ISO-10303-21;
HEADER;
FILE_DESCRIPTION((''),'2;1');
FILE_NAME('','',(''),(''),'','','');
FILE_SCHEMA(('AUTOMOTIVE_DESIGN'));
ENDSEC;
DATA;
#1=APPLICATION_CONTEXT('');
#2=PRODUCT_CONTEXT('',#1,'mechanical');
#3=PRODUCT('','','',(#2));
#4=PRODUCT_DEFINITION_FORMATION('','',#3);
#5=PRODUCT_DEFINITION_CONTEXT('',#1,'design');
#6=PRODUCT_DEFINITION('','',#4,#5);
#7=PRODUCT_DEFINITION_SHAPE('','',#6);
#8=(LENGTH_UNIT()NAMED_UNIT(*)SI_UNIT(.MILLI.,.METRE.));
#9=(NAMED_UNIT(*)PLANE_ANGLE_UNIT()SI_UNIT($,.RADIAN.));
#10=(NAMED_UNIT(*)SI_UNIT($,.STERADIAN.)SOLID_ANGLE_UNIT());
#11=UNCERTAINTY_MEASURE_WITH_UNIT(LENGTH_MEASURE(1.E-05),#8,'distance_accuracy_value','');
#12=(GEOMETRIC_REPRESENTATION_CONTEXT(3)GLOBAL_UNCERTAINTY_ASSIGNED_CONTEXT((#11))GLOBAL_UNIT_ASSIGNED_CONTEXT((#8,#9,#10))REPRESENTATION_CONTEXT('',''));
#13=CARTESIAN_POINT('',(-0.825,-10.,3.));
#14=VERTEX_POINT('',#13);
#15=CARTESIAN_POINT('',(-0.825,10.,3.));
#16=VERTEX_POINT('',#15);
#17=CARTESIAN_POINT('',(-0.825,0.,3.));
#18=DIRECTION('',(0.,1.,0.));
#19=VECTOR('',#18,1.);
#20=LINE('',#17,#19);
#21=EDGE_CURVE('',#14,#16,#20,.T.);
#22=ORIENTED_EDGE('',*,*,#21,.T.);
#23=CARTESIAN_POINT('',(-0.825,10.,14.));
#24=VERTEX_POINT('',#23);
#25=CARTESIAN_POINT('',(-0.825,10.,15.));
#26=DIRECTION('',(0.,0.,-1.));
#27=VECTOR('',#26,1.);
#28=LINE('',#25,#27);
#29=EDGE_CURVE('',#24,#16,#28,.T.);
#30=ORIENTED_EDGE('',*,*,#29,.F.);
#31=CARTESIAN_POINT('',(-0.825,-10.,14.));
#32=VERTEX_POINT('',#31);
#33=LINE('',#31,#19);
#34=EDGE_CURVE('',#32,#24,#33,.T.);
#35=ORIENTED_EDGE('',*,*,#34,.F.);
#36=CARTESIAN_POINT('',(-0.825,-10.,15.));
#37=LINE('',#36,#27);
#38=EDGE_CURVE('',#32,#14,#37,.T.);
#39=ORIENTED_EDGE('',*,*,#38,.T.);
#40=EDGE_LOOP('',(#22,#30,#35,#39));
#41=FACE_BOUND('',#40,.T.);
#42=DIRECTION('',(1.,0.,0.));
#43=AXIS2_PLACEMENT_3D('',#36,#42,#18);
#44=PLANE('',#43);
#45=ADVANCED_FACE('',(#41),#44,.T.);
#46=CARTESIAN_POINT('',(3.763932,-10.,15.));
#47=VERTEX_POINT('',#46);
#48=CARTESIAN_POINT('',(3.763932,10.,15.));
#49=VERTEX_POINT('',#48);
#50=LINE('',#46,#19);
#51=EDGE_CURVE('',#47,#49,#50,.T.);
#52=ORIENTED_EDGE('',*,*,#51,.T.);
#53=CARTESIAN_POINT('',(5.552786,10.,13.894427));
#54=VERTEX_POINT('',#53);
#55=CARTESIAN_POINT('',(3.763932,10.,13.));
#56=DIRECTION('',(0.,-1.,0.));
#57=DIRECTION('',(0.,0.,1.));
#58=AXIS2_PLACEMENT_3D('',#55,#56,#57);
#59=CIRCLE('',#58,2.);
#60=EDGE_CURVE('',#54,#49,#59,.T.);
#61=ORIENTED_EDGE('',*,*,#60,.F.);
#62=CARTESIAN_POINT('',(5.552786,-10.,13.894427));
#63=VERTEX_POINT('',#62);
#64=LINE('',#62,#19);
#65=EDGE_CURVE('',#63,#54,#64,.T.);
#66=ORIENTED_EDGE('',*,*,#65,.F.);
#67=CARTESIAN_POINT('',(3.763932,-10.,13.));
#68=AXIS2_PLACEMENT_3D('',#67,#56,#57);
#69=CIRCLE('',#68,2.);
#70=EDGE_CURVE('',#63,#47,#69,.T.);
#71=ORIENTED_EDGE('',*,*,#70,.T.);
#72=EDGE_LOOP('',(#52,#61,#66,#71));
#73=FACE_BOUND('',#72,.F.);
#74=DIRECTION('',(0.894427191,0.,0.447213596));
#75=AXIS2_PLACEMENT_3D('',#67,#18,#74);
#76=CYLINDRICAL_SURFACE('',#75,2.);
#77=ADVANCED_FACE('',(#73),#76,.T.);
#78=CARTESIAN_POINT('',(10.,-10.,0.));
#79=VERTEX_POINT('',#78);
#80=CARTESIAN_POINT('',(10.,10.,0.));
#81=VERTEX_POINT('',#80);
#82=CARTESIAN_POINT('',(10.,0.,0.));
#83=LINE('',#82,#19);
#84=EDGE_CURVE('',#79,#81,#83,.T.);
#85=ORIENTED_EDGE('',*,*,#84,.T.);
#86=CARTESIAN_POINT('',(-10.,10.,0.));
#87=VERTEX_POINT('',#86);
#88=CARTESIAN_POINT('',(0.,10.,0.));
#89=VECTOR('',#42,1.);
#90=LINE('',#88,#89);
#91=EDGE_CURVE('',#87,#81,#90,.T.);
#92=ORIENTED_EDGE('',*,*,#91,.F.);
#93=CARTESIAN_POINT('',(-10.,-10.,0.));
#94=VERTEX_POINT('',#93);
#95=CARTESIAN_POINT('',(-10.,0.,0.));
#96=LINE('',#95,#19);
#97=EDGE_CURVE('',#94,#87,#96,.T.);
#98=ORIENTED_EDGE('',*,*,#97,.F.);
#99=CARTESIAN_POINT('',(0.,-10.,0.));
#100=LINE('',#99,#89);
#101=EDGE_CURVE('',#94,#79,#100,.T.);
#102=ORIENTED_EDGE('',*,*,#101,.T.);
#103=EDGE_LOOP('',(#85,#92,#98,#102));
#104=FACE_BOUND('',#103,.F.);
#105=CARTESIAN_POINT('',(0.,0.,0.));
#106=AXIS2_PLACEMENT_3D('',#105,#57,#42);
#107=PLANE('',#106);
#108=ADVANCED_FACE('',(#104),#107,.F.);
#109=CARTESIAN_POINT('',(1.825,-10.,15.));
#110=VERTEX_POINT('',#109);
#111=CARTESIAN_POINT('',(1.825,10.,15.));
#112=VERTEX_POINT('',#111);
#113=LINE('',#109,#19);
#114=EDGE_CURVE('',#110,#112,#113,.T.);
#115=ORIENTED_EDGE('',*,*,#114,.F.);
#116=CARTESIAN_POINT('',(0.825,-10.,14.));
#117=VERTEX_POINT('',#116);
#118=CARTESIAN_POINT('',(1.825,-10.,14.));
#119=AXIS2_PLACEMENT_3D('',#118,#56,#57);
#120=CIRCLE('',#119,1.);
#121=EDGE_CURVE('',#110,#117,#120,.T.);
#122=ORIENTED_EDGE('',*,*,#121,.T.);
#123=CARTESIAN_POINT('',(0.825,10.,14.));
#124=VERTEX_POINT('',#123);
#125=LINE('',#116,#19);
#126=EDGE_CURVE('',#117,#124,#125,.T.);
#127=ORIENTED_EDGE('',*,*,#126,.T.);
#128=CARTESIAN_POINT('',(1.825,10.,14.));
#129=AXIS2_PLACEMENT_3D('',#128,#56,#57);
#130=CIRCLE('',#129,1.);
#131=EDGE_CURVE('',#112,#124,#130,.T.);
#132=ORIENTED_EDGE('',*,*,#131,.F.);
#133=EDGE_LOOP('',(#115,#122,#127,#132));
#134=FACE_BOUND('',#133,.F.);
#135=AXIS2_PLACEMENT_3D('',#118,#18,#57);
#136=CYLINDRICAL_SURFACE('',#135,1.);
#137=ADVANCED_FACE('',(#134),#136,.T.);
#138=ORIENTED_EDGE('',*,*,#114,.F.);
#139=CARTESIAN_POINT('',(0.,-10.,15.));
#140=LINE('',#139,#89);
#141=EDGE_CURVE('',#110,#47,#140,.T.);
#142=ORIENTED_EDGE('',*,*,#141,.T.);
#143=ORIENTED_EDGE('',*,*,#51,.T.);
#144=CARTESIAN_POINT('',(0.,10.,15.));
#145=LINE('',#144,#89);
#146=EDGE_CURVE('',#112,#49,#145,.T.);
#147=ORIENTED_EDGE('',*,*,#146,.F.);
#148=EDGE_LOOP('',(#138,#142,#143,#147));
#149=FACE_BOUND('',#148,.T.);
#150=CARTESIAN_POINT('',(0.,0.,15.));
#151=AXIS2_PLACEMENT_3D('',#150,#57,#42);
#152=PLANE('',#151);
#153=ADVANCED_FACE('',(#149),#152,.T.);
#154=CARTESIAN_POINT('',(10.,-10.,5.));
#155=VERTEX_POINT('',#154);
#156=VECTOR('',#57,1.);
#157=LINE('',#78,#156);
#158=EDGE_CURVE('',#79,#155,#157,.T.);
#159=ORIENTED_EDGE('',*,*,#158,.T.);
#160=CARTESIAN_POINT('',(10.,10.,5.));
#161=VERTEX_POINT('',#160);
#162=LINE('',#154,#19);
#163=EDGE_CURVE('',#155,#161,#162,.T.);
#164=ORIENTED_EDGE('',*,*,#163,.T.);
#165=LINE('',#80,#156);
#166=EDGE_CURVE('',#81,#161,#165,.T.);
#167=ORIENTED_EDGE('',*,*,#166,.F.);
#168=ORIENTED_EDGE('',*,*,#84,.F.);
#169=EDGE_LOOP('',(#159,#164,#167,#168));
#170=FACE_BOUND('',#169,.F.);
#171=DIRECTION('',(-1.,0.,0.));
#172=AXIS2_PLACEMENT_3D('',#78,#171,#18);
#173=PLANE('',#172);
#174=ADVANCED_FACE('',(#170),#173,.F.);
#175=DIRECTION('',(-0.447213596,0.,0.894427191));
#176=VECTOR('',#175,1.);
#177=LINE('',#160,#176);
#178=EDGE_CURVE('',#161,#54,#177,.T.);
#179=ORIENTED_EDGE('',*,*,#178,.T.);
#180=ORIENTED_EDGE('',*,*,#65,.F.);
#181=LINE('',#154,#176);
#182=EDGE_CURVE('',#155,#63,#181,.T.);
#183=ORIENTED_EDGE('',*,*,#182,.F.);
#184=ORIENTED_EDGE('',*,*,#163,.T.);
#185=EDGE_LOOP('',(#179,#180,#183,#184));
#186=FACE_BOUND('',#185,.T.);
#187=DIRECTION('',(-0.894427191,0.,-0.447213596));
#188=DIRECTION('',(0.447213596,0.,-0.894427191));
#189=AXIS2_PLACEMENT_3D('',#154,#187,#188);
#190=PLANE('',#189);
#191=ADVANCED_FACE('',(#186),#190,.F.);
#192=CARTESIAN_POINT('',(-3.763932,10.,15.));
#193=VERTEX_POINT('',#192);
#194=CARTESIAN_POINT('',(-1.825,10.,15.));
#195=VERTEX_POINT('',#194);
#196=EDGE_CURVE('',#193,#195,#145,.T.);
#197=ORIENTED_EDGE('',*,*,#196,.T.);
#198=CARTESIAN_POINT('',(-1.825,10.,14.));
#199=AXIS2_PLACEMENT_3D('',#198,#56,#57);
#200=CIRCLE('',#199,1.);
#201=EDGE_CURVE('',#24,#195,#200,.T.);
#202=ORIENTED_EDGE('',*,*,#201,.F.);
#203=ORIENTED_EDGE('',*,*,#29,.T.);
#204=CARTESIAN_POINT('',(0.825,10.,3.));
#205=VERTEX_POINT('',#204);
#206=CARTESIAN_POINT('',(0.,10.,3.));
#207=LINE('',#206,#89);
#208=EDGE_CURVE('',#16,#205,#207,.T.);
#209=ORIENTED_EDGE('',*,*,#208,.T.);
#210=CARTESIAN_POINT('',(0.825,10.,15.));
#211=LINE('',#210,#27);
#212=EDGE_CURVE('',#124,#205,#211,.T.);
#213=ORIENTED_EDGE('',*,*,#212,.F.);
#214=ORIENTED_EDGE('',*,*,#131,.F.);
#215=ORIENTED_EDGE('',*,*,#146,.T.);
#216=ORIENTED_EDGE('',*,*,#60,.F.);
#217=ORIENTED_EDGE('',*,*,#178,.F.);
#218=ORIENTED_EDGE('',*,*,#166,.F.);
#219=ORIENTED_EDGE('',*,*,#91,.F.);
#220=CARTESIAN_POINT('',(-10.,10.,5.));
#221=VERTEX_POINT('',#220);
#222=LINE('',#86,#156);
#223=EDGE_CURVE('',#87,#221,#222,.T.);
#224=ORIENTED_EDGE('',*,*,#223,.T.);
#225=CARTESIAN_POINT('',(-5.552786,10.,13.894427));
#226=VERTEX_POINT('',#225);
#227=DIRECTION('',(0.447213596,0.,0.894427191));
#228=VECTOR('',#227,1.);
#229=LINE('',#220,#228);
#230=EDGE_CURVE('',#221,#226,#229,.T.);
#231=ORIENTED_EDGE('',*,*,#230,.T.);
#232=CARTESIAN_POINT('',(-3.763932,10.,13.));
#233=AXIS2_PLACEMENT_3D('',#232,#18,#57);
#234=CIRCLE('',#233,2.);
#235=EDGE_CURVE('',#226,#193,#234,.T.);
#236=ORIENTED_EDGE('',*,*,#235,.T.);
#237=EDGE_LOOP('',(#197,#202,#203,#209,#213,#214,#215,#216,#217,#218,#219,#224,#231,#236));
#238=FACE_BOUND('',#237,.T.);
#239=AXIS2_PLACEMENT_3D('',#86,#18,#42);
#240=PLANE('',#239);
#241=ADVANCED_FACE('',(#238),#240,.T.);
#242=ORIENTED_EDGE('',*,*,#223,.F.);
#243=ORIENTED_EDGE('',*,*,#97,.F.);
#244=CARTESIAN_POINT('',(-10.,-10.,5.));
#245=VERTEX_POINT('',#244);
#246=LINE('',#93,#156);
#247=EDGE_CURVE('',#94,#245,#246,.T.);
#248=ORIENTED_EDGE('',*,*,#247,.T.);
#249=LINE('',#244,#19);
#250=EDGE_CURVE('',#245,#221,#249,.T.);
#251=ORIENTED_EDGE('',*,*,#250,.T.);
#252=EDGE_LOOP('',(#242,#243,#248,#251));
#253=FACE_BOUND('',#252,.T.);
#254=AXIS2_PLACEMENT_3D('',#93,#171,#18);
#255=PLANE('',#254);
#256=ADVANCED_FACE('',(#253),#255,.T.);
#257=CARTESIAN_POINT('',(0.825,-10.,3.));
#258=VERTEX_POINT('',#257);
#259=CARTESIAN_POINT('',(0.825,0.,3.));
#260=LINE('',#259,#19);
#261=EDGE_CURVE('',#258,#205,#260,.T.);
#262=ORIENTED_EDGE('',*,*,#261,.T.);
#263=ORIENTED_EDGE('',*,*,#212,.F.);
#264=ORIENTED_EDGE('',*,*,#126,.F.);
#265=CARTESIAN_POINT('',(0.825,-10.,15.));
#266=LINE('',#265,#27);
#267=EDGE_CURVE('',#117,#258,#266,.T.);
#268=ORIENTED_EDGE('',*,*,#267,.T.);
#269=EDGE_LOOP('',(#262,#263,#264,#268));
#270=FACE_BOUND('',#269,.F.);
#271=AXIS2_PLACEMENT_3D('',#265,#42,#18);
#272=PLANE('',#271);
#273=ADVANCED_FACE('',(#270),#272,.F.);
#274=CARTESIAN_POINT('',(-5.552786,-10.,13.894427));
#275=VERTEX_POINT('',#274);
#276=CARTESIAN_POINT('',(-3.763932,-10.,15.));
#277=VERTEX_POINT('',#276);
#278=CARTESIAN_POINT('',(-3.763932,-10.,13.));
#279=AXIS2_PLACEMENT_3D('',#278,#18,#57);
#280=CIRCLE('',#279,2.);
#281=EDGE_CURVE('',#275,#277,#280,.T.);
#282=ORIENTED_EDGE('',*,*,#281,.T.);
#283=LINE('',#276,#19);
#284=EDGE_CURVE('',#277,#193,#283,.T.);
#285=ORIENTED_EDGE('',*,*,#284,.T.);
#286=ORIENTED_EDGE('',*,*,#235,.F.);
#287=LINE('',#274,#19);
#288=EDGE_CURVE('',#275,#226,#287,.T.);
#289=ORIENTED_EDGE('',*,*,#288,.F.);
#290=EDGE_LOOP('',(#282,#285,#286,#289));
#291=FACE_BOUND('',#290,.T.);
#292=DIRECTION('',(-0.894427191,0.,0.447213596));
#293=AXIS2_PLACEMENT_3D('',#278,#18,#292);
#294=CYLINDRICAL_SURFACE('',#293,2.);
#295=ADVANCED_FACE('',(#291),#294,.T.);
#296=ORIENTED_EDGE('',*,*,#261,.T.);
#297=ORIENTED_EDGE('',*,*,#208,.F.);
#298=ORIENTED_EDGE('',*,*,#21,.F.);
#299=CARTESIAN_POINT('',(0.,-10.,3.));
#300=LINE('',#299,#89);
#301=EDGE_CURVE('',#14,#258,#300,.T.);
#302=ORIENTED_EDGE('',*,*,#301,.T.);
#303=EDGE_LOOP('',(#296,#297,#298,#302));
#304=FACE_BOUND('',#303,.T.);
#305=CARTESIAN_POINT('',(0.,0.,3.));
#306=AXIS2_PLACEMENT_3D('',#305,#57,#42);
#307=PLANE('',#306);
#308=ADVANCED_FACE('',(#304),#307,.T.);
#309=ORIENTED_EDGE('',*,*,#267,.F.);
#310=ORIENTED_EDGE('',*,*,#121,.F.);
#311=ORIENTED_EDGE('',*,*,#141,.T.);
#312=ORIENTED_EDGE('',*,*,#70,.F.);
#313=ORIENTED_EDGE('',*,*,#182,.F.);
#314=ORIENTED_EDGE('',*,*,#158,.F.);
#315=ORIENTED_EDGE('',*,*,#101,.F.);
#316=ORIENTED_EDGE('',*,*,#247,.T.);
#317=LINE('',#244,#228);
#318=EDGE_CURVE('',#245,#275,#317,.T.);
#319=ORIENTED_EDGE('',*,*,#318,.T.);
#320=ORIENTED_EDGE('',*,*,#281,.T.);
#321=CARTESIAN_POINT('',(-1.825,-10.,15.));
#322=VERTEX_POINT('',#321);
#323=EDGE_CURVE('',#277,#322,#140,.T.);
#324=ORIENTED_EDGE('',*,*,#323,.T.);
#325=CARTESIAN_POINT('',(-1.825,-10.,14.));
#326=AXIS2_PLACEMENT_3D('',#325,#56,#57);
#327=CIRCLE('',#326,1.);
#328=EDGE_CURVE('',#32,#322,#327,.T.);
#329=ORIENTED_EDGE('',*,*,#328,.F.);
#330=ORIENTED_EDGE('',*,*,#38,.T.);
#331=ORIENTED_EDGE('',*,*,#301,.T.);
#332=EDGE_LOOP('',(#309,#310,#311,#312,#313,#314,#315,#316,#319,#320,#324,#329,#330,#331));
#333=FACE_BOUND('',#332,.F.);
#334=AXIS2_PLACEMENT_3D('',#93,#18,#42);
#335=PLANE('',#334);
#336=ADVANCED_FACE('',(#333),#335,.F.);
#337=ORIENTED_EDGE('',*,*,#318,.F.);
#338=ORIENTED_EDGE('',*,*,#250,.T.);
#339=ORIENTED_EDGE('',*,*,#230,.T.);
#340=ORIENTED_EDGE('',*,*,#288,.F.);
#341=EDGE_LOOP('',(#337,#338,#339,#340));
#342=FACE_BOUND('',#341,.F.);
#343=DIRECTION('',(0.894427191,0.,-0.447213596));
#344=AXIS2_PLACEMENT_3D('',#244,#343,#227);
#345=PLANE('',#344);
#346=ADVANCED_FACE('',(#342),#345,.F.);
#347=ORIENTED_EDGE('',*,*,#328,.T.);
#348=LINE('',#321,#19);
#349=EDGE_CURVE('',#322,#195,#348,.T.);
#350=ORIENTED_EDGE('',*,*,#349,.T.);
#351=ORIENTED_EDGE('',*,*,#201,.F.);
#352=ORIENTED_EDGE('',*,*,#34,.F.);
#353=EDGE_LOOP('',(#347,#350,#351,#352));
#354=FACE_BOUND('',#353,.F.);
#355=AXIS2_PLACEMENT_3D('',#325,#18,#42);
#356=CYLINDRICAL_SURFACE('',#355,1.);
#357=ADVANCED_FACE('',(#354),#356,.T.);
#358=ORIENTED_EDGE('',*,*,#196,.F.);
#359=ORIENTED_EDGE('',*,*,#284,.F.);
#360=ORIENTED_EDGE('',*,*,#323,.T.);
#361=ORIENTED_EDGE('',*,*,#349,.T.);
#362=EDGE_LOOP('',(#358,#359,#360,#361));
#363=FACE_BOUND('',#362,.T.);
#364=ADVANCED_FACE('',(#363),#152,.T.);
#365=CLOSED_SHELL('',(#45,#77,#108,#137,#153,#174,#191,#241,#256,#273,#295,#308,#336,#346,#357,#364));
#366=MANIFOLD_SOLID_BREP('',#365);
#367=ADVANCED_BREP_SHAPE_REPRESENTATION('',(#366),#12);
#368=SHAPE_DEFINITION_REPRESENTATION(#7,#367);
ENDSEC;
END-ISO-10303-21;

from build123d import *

# Parameters (mm, degrees)
SKETCH_W        = 20
SKETCH_H        = 20
PAD_DEPTH       = 15
SKETCH001_W     = 1.65
SKETCH001_H     = 20
POCKET_DEPTH    = 12
POCKET001_DEPTH = 20
FILLET_R        = 2
FILLET001_R     = 1


with BuildPart() as part:
    # Sketch → Pad (new body)
    with BuildSketch(Plane.XY):
        Rectangle(SKETCH_W, SKETCH_H)
    extrude(amount=PAD_DEPTH)

    # Sketch001 (on Face6 of Pad) → Pocket (cut)
    with BuildSketch(Plane.XY.offset(15)):
        Rectangle(SKETCH001_W, SKETCH001_H)
    extrude(amount=-POCKET_DEPTH, mode=Mode.SUBTRACT)

    # Sketch002 (on Face10 of Pocket) → Pocket001 (cut)
    with BuildSketch(Plane.XZ.offset(10)):
        Polygon((-10, 5), (-5, 15), (-10, 15), align=None)
    pocket001 = extrude(amount=-POCKET001_DEPTH, mode=Mode.SUBTRACT)

    # Mirrored: Pocket001 across Sketch002 V_Axis
    add(pocket001.mirror(Plane(origin=(0, -10, 0), x_dir=(0, -1, 0), z_dir=(1, 0, 0))), mode=Mode.SUBTRACT)

    # Fillet
    fillet_edges = [part.edges().sort_by_distance(p)[0] for p in [
        (5, 0, 15),
        (-5, 0, 15),
    ]]
    fillet(fillet_edges, radius=FILLET_R)

    # Fillet001
    fillet001_edges = [part.edges().sort_by_distance(p)[0] for p in [
        (-0.825, 0, 15),
        (0.825, 0, 15),
    ]]
    fillet(fillet001_edges, radius=FILLET001_R)


solid = part.part
